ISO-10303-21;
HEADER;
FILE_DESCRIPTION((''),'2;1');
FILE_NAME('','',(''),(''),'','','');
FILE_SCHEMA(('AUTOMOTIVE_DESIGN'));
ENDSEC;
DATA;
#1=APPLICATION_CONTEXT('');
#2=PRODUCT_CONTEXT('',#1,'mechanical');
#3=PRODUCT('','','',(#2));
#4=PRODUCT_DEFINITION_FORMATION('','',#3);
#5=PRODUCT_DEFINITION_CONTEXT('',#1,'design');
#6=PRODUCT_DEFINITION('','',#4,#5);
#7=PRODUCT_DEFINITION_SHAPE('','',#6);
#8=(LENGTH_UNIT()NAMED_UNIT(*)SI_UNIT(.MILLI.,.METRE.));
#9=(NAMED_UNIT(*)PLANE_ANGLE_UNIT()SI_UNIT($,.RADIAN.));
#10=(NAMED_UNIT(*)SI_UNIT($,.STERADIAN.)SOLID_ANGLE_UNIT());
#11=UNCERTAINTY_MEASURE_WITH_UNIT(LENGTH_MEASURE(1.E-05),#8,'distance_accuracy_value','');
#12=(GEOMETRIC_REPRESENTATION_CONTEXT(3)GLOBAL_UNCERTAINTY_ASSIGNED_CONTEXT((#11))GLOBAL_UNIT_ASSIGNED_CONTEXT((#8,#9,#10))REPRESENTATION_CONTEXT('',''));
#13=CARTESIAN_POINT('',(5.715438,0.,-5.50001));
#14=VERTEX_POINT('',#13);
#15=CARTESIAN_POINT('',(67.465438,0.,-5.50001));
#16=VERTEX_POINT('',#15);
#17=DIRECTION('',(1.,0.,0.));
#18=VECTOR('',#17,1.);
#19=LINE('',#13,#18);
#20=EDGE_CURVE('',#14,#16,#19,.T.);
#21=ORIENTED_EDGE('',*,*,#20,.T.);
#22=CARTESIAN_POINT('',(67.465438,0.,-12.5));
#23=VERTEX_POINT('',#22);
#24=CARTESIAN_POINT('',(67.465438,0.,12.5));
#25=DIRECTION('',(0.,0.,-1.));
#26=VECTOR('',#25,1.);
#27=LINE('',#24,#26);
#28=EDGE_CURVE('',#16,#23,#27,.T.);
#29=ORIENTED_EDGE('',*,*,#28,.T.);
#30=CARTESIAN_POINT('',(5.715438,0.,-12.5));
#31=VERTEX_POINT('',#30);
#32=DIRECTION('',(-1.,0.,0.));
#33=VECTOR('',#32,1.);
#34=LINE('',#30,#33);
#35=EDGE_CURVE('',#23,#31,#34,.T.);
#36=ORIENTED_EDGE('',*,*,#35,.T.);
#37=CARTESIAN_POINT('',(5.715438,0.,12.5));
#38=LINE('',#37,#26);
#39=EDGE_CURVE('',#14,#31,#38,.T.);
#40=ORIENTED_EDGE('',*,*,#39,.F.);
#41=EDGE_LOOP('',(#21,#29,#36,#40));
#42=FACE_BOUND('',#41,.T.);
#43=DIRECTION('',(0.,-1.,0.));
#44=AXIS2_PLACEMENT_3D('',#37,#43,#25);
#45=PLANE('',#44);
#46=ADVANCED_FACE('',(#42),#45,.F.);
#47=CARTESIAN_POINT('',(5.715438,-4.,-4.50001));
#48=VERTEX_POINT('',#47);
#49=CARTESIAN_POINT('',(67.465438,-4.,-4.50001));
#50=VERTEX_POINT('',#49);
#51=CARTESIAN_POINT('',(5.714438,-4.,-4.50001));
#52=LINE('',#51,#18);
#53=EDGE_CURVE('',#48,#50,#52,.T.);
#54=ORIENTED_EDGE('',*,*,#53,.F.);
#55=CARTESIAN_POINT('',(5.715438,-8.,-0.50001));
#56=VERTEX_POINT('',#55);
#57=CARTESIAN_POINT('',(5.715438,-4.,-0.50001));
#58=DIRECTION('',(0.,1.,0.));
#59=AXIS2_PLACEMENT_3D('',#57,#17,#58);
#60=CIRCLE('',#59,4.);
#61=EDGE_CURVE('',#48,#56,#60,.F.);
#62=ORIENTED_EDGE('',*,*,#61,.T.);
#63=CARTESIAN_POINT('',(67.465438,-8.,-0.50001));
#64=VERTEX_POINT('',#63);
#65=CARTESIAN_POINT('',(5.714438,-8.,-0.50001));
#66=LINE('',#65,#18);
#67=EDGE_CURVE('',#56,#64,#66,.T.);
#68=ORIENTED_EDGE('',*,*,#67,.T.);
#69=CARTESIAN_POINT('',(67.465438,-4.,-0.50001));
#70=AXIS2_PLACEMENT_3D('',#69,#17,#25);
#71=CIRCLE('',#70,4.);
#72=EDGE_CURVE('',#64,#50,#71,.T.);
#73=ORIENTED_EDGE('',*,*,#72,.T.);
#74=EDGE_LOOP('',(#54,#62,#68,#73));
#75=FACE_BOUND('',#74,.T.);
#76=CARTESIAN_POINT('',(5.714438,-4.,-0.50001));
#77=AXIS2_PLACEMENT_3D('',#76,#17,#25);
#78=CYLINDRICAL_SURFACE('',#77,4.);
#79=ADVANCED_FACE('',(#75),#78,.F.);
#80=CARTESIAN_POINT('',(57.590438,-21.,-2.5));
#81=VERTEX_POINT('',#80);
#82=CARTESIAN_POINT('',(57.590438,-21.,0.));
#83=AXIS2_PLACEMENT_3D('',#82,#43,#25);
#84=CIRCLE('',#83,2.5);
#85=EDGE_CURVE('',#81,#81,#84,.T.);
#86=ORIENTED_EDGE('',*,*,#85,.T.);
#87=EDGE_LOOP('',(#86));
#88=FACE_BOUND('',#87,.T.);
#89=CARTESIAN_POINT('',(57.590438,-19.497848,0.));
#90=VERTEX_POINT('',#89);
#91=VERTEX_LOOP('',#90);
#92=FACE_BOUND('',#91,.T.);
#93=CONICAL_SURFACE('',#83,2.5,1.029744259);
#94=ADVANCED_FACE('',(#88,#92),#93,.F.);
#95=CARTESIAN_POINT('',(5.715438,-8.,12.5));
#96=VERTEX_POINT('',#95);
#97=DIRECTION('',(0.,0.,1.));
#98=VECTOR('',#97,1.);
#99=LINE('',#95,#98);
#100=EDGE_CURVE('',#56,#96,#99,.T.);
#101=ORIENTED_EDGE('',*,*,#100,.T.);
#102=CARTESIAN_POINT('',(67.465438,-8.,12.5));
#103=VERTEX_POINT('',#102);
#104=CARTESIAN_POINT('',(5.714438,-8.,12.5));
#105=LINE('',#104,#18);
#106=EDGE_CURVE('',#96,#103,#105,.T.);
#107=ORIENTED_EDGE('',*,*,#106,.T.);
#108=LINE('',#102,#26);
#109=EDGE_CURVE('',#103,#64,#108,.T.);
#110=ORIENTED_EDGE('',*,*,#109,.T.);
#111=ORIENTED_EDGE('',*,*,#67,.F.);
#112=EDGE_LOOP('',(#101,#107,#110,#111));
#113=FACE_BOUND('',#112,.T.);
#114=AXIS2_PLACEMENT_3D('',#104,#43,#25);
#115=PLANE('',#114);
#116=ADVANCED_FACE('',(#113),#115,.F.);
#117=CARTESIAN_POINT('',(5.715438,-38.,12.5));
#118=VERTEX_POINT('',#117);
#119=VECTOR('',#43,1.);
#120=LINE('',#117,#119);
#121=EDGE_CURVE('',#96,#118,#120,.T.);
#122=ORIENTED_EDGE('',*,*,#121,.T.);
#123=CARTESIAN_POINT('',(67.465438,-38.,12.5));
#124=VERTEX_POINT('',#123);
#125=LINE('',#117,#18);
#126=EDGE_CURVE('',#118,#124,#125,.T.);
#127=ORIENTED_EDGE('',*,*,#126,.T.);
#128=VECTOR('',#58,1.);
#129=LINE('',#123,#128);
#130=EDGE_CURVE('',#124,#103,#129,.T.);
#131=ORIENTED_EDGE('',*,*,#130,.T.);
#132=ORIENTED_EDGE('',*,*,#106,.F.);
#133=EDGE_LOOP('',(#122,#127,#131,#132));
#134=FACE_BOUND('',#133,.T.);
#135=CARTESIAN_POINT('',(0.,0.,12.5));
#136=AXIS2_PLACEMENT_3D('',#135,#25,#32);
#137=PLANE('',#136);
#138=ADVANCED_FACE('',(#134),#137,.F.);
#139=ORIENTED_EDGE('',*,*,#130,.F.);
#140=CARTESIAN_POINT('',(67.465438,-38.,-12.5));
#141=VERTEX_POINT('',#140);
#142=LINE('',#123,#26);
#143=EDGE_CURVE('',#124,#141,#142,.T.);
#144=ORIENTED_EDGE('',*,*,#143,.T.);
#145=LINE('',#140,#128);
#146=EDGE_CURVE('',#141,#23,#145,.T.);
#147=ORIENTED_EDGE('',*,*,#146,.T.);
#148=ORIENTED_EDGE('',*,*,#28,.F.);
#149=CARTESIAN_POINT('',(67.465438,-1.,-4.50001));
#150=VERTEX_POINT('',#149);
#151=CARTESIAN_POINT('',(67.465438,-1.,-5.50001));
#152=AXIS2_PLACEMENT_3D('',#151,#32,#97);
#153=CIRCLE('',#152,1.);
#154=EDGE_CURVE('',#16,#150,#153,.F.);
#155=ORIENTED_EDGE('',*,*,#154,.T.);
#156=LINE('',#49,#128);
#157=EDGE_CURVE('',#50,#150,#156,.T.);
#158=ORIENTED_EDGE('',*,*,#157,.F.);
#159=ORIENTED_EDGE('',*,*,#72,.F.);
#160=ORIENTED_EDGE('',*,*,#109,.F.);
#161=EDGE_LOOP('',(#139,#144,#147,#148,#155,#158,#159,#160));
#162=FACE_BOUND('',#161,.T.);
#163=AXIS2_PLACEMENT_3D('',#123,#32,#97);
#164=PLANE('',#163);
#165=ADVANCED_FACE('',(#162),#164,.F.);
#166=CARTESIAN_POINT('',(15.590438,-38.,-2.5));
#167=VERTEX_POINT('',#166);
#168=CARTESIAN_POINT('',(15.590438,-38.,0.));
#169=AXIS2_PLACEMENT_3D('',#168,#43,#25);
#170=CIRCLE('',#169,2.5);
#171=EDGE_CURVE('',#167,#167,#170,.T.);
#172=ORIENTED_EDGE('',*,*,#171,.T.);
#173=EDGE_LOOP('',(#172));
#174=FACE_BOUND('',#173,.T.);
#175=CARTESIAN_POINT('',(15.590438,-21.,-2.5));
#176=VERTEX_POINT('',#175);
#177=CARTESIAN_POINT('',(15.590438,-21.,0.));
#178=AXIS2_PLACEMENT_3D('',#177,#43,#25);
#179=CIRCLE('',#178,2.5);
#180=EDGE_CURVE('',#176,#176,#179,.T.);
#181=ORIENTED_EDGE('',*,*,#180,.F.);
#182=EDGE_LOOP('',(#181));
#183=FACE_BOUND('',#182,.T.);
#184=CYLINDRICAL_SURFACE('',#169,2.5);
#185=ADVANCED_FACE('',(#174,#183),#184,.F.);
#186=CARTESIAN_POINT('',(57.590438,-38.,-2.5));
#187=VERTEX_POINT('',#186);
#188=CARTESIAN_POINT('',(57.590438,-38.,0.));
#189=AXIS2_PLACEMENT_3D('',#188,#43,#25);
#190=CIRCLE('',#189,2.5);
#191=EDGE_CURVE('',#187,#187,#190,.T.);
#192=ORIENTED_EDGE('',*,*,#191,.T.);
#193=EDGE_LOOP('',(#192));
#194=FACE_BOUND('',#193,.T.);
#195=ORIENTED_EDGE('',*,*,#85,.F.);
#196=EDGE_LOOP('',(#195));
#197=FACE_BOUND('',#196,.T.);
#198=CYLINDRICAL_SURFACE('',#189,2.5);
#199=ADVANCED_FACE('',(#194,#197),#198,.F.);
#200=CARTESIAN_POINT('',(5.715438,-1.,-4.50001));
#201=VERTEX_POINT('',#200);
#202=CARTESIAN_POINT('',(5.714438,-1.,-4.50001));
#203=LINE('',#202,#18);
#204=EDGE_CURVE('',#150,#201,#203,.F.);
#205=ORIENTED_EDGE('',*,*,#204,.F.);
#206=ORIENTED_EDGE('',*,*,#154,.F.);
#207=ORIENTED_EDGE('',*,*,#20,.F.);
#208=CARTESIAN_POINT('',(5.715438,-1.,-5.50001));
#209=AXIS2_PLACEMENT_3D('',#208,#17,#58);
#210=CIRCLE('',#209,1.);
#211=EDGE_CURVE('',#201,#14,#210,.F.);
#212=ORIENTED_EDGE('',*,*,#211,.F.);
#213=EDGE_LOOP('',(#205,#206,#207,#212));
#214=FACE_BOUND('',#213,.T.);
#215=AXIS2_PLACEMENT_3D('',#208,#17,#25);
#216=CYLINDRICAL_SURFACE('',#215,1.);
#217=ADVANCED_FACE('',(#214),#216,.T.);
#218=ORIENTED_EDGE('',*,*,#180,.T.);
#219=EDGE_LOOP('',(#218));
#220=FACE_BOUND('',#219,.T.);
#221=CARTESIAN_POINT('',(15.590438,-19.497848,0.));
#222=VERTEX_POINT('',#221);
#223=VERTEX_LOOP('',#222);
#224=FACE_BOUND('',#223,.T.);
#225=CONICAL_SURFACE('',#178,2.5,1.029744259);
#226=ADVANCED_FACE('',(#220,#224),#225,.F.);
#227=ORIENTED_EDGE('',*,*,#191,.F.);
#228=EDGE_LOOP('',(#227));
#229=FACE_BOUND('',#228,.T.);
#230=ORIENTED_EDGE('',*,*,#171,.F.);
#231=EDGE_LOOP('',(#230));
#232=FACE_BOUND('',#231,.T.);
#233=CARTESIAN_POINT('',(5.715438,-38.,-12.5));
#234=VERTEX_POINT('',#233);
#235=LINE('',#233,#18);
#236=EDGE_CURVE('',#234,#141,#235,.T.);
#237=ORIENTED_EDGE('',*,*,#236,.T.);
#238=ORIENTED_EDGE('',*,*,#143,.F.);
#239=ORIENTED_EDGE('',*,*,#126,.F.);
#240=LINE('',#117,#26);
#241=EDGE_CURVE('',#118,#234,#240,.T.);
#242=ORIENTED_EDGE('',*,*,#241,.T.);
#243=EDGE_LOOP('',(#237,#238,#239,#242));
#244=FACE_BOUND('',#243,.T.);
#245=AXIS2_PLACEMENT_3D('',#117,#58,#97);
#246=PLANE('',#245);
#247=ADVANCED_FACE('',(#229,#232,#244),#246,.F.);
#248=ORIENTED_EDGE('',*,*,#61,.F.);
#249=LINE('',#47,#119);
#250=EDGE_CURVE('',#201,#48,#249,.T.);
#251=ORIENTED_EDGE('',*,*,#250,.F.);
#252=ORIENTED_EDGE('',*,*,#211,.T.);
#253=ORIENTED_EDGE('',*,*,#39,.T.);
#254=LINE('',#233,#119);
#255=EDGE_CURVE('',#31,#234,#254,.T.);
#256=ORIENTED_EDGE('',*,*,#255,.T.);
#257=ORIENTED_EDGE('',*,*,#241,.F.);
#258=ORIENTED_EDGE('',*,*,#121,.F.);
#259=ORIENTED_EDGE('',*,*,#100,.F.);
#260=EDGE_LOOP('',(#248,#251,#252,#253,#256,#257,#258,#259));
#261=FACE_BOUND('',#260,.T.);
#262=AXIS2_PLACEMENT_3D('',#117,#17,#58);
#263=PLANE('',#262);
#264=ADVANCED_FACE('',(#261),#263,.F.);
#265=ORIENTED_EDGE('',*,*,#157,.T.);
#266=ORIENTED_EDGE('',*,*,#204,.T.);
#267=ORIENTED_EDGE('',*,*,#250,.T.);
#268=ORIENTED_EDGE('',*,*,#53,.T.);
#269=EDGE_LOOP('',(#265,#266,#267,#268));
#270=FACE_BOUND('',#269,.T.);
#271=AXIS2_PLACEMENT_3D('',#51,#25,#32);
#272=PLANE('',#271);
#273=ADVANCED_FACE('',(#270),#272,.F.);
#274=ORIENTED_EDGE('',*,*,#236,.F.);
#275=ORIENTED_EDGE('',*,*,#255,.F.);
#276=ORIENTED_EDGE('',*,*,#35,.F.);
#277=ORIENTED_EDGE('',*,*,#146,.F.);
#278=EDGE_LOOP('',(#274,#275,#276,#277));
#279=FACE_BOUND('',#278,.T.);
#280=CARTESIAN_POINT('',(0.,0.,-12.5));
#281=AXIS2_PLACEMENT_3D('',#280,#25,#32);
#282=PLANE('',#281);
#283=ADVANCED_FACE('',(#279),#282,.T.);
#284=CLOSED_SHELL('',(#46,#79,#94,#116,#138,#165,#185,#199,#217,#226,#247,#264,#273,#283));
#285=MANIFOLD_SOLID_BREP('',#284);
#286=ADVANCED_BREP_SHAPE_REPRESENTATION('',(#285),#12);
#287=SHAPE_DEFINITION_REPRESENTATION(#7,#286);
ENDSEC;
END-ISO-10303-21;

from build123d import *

# Parameters (mm, degrees)
SKETCH1_W             = 61.75
SKETCH1_H             = 38
BOSS_EXTRUDE1_DEPTH   = 12.5
CUT_EXTRUDE1_REACH    = 75.575
FILLET1_R             = 1
M6_TAPPED_HOLE1_D     = 5
M6_TAPPED_HOLE1_DEPTH = 17
M6_TAPPED_HOLE1_TIP   = 1.502151548


with BuildPart() as part:
    # Sketch1 → Boss-Extrude1 (new, symmetric)
    with BuildSketch(Plane.XY):
        with Locations((36.590437788, -19)):
            Rectangle(SKETCH1_W, SKETCH1_H)
    extrude(amount=BOSS_EXTRUDE1_DEPTH, both=True)

    # Sketch2 → Cut-Extrude1 (cut, up to next)
    with BuildSketch(Plane(origin=(67.465437788, 0, 0), x_dir=(0, 0, -1), z_dir=(1, 0, 0)), mode=Mode.PRIVATE) as cut_extrude1_sk1:
        with BuildLine():
            Line((-12.5, -8), (0.500009615, -8))
            ThreePointArc((0.500009615, -8), (3.32843674, -6.828427125), (4.500009615, -4))
            Line((4.500009615, -4), (4.500009615, 0))
            Line((4.500009615, 0), (-12.5, 0))
            Line((-12.5, 0), (-12.5, -8))
        make_face()
    cut_extrude1_tool1 = extrude(cut_extrude1_sk1.sketch, amount=-CUT_EXTRUDE1_REACH, mode=Mode.PRIVATE) & part.part
    add(cut_extrude1_tool1.solids().sort_by_distance((67.465438, -3.919537, 4.197013))[0], mode=Mode.SUBTRACT)

    # Fillet1
    fillet1_edges = [part.edges().sort_by_distance(p)[0] for p in [
        (36.590437788, 0, -4.500009615),
    ]]
    fillet(fillet1_edges, radius=FILLET1_R)

    # M6 Tapped Hole1
    with Locations(Plane(origin=(0, -38, 0), x_dir=(-1, 0, 0), z_dir=(0, -1, 0))):
        with Locations((-57.590437788, 0), (-15.590437788, 0)):
            Hole(M6_TAPPED_HOLE1_D / 2, depth=M6_TAPPED_HOLE1_DEPTH)
            with Locations((0, 0, -(M6_TAPPED_HOLE1_DEPTH + M6_TAPPED_HOLE1_TIP / 2))):  # 118° drill point
                Cone(0, M6_TAPPED_HOLE1_D / 2, M6_TAPPED_HOLE1_TIP, mode=Mode.SUBTRACT)


solid = part.part
